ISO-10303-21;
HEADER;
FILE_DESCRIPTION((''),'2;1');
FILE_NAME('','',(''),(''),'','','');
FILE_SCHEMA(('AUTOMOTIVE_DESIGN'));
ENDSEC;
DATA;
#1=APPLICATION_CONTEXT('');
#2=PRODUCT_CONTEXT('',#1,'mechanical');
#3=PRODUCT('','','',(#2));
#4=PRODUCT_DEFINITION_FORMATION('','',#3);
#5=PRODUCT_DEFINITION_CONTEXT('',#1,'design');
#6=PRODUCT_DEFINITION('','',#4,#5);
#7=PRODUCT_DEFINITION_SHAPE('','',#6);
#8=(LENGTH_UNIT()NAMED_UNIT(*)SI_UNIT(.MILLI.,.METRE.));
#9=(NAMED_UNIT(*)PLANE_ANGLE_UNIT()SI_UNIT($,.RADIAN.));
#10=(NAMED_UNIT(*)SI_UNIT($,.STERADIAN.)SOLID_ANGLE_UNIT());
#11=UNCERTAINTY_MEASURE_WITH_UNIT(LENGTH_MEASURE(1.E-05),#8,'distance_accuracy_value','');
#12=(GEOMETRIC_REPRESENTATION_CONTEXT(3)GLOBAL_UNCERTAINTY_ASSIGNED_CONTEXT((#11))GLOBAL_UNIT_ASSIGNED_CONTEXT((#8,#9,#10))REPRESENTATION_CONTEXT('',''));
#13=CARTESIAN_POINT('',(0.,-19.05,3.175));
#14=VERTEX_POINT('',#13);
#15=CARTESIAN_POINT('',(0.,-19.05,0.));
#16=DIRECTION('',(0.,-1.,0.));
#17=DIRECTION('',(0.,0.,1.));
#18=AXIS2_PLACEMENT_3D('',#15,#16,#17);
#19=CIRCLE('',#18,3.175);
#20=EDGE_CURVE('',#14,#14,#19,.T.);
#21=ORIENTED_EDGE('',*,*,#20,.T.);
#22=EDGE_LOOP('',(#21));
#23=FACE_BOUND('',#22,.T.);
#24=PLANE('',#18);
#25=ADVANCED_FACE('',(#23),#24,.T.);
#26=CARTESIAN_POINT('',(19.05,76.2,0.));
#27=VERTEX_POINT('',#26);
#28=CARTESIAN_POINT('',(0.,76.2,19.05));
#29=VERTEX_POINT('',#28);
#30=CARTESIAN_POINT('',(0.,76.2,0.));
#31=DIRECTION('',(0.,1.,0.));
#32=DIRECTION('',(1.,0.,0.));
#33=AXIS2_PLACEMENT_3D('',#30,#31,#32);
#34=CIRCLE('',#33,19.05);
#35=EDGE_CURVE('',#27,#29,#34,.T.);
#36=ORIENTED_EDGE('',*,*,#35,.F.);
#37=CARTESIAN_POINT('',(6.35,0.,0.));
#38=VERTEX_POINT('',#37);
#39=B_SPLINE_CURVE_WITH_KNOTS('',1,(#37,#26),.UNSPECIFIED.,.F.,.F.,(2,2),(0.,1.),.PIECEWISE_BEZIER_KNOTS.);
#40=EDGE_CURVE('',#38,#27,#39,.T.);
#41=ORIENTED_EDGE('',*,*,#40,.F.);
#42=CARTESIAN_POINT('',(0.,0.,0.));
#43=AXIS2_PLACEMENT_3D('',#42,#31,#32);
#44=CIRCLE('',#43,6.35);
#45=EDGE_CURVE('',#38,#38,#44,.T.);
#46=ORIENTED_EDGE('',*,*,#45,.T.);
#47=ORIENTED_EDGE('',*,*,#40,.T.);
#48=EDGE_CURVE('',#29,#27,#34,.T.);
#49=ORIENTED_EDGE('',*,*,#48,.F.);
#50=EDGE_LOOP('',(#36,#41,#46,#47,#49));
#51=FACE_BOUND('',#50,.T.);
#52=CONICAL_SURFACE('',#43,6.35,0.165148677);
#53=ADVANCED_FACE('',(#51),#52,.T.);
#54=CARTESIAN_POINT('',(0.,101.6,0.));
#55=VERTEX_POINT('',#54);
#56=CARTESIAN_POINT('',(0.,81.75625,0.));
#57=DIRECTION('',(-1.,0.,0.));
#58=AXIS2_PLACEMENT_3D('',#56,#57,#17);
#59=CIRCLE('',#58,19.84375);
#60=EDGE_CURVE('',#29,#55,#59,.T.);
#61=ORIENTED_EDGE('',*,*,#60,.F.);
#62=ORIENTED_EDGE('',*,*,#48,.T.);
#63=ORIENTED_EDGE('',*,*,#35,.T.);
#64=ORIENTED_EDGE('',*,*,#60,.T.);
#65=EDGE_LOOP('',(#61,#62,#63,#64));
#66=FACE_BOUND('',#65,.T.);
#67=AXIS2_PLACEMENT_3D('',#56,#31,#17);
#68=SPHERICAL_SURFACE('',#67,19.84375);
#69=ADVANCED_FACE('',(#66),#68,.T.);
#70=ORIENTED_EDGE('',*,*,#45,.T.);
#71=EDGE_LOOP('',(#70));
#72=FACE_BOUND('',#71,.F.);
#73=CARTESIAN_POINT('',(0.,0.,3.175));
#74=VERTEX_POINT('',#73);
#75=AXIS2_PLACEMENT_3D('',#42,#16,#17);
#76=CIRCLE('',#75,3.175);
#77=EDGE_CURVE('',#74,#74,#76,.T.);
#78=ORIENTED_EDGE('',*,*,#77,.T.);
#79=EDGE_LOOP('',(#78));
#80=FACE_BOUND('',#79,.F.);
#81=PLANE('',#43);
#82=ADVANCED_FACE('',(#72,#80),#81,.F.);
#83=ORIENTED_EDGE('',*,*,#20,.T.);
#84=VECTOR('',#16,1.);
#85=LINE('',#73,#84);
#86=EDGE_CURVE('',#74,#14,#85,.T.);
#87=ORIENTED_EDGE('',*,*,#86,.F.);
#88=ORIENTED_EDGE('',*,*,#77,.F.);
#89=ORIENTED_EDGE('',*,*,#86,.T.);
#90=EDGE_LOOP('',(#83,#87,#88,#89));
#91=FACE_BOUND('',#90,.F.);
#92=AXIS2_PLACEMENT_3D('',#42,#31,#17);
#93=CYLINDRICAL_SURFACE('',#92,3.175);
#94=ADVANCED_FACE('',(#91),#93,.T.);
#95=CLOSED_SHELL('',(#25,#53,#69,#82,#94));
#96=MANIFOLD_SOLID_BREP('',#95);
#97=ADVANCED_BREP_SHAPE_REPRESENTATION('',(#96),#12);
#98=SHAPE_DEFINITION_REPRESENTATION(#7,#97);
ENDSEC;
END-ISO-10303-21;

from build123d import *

# Parameters (mm, degrees)
SKETCH2_R           = 6.35
SKETCH3_R           = 19.05
SKETCH4_R           = 3.175
BOSS_EXTRUDE1_DEPTH = 19.05
DOME1_FACE_RADIUS   = 19.05
DOME1_HEIGHT        = 25.4


with BuildPart() as part:
    # Sketch2 → Loft1 section 0
    with BuildSketch(Plane(origin=(0, 0, 0), x_dir=(1, 0, 0), z_dir=(0, 1, 0))):
        Circle(SKETCH2_R)
    # Sketch3 → Loft1 section 1
    with BuildSketch(Plane(origin=(0, 76.2, 0), x_dir=(1, 0, 0), z_dir=(0, 1, 0))):
        Circle(SKETCH3_R)
    loft()

    # Sketch4 → Boss-Extrude1 (add)
    with BuildSketch(Plane.XZ):
        with Locations(Location((0, 0, 0), (0, 0, 90))):
            Circle(SKETCH4_R)
    extrude(amount=BOSS_EXTRUDE1_DEPTH)

    # Dome1: a dome of height H over a round flat face of radius A is a cap of a sphere of radius (A * A + H * H) / (2 * H)
    dome1_r = (DOME1_FACE_RADIUS * DOME1_FACE_RADIUS + DOME1_HEIGHT * DOME1_HEIGHT) / (2 * DOME1_HEIGHT)
    dome1_base = Plane((0, 76.2, 0), z_dir=(0, 1, 0))
    with Locations(dome1_base.offset(DOME1_HEIGHT - dome1_r)):
        dome1_ball = Sphere(dome1_r, mode=Mode.PRIVATE)
    add(split(dome1_ball, bisect_by=dome1_base, keep=Keep.TOP, mode=Mode.PRIVATE))


solid = part.part
